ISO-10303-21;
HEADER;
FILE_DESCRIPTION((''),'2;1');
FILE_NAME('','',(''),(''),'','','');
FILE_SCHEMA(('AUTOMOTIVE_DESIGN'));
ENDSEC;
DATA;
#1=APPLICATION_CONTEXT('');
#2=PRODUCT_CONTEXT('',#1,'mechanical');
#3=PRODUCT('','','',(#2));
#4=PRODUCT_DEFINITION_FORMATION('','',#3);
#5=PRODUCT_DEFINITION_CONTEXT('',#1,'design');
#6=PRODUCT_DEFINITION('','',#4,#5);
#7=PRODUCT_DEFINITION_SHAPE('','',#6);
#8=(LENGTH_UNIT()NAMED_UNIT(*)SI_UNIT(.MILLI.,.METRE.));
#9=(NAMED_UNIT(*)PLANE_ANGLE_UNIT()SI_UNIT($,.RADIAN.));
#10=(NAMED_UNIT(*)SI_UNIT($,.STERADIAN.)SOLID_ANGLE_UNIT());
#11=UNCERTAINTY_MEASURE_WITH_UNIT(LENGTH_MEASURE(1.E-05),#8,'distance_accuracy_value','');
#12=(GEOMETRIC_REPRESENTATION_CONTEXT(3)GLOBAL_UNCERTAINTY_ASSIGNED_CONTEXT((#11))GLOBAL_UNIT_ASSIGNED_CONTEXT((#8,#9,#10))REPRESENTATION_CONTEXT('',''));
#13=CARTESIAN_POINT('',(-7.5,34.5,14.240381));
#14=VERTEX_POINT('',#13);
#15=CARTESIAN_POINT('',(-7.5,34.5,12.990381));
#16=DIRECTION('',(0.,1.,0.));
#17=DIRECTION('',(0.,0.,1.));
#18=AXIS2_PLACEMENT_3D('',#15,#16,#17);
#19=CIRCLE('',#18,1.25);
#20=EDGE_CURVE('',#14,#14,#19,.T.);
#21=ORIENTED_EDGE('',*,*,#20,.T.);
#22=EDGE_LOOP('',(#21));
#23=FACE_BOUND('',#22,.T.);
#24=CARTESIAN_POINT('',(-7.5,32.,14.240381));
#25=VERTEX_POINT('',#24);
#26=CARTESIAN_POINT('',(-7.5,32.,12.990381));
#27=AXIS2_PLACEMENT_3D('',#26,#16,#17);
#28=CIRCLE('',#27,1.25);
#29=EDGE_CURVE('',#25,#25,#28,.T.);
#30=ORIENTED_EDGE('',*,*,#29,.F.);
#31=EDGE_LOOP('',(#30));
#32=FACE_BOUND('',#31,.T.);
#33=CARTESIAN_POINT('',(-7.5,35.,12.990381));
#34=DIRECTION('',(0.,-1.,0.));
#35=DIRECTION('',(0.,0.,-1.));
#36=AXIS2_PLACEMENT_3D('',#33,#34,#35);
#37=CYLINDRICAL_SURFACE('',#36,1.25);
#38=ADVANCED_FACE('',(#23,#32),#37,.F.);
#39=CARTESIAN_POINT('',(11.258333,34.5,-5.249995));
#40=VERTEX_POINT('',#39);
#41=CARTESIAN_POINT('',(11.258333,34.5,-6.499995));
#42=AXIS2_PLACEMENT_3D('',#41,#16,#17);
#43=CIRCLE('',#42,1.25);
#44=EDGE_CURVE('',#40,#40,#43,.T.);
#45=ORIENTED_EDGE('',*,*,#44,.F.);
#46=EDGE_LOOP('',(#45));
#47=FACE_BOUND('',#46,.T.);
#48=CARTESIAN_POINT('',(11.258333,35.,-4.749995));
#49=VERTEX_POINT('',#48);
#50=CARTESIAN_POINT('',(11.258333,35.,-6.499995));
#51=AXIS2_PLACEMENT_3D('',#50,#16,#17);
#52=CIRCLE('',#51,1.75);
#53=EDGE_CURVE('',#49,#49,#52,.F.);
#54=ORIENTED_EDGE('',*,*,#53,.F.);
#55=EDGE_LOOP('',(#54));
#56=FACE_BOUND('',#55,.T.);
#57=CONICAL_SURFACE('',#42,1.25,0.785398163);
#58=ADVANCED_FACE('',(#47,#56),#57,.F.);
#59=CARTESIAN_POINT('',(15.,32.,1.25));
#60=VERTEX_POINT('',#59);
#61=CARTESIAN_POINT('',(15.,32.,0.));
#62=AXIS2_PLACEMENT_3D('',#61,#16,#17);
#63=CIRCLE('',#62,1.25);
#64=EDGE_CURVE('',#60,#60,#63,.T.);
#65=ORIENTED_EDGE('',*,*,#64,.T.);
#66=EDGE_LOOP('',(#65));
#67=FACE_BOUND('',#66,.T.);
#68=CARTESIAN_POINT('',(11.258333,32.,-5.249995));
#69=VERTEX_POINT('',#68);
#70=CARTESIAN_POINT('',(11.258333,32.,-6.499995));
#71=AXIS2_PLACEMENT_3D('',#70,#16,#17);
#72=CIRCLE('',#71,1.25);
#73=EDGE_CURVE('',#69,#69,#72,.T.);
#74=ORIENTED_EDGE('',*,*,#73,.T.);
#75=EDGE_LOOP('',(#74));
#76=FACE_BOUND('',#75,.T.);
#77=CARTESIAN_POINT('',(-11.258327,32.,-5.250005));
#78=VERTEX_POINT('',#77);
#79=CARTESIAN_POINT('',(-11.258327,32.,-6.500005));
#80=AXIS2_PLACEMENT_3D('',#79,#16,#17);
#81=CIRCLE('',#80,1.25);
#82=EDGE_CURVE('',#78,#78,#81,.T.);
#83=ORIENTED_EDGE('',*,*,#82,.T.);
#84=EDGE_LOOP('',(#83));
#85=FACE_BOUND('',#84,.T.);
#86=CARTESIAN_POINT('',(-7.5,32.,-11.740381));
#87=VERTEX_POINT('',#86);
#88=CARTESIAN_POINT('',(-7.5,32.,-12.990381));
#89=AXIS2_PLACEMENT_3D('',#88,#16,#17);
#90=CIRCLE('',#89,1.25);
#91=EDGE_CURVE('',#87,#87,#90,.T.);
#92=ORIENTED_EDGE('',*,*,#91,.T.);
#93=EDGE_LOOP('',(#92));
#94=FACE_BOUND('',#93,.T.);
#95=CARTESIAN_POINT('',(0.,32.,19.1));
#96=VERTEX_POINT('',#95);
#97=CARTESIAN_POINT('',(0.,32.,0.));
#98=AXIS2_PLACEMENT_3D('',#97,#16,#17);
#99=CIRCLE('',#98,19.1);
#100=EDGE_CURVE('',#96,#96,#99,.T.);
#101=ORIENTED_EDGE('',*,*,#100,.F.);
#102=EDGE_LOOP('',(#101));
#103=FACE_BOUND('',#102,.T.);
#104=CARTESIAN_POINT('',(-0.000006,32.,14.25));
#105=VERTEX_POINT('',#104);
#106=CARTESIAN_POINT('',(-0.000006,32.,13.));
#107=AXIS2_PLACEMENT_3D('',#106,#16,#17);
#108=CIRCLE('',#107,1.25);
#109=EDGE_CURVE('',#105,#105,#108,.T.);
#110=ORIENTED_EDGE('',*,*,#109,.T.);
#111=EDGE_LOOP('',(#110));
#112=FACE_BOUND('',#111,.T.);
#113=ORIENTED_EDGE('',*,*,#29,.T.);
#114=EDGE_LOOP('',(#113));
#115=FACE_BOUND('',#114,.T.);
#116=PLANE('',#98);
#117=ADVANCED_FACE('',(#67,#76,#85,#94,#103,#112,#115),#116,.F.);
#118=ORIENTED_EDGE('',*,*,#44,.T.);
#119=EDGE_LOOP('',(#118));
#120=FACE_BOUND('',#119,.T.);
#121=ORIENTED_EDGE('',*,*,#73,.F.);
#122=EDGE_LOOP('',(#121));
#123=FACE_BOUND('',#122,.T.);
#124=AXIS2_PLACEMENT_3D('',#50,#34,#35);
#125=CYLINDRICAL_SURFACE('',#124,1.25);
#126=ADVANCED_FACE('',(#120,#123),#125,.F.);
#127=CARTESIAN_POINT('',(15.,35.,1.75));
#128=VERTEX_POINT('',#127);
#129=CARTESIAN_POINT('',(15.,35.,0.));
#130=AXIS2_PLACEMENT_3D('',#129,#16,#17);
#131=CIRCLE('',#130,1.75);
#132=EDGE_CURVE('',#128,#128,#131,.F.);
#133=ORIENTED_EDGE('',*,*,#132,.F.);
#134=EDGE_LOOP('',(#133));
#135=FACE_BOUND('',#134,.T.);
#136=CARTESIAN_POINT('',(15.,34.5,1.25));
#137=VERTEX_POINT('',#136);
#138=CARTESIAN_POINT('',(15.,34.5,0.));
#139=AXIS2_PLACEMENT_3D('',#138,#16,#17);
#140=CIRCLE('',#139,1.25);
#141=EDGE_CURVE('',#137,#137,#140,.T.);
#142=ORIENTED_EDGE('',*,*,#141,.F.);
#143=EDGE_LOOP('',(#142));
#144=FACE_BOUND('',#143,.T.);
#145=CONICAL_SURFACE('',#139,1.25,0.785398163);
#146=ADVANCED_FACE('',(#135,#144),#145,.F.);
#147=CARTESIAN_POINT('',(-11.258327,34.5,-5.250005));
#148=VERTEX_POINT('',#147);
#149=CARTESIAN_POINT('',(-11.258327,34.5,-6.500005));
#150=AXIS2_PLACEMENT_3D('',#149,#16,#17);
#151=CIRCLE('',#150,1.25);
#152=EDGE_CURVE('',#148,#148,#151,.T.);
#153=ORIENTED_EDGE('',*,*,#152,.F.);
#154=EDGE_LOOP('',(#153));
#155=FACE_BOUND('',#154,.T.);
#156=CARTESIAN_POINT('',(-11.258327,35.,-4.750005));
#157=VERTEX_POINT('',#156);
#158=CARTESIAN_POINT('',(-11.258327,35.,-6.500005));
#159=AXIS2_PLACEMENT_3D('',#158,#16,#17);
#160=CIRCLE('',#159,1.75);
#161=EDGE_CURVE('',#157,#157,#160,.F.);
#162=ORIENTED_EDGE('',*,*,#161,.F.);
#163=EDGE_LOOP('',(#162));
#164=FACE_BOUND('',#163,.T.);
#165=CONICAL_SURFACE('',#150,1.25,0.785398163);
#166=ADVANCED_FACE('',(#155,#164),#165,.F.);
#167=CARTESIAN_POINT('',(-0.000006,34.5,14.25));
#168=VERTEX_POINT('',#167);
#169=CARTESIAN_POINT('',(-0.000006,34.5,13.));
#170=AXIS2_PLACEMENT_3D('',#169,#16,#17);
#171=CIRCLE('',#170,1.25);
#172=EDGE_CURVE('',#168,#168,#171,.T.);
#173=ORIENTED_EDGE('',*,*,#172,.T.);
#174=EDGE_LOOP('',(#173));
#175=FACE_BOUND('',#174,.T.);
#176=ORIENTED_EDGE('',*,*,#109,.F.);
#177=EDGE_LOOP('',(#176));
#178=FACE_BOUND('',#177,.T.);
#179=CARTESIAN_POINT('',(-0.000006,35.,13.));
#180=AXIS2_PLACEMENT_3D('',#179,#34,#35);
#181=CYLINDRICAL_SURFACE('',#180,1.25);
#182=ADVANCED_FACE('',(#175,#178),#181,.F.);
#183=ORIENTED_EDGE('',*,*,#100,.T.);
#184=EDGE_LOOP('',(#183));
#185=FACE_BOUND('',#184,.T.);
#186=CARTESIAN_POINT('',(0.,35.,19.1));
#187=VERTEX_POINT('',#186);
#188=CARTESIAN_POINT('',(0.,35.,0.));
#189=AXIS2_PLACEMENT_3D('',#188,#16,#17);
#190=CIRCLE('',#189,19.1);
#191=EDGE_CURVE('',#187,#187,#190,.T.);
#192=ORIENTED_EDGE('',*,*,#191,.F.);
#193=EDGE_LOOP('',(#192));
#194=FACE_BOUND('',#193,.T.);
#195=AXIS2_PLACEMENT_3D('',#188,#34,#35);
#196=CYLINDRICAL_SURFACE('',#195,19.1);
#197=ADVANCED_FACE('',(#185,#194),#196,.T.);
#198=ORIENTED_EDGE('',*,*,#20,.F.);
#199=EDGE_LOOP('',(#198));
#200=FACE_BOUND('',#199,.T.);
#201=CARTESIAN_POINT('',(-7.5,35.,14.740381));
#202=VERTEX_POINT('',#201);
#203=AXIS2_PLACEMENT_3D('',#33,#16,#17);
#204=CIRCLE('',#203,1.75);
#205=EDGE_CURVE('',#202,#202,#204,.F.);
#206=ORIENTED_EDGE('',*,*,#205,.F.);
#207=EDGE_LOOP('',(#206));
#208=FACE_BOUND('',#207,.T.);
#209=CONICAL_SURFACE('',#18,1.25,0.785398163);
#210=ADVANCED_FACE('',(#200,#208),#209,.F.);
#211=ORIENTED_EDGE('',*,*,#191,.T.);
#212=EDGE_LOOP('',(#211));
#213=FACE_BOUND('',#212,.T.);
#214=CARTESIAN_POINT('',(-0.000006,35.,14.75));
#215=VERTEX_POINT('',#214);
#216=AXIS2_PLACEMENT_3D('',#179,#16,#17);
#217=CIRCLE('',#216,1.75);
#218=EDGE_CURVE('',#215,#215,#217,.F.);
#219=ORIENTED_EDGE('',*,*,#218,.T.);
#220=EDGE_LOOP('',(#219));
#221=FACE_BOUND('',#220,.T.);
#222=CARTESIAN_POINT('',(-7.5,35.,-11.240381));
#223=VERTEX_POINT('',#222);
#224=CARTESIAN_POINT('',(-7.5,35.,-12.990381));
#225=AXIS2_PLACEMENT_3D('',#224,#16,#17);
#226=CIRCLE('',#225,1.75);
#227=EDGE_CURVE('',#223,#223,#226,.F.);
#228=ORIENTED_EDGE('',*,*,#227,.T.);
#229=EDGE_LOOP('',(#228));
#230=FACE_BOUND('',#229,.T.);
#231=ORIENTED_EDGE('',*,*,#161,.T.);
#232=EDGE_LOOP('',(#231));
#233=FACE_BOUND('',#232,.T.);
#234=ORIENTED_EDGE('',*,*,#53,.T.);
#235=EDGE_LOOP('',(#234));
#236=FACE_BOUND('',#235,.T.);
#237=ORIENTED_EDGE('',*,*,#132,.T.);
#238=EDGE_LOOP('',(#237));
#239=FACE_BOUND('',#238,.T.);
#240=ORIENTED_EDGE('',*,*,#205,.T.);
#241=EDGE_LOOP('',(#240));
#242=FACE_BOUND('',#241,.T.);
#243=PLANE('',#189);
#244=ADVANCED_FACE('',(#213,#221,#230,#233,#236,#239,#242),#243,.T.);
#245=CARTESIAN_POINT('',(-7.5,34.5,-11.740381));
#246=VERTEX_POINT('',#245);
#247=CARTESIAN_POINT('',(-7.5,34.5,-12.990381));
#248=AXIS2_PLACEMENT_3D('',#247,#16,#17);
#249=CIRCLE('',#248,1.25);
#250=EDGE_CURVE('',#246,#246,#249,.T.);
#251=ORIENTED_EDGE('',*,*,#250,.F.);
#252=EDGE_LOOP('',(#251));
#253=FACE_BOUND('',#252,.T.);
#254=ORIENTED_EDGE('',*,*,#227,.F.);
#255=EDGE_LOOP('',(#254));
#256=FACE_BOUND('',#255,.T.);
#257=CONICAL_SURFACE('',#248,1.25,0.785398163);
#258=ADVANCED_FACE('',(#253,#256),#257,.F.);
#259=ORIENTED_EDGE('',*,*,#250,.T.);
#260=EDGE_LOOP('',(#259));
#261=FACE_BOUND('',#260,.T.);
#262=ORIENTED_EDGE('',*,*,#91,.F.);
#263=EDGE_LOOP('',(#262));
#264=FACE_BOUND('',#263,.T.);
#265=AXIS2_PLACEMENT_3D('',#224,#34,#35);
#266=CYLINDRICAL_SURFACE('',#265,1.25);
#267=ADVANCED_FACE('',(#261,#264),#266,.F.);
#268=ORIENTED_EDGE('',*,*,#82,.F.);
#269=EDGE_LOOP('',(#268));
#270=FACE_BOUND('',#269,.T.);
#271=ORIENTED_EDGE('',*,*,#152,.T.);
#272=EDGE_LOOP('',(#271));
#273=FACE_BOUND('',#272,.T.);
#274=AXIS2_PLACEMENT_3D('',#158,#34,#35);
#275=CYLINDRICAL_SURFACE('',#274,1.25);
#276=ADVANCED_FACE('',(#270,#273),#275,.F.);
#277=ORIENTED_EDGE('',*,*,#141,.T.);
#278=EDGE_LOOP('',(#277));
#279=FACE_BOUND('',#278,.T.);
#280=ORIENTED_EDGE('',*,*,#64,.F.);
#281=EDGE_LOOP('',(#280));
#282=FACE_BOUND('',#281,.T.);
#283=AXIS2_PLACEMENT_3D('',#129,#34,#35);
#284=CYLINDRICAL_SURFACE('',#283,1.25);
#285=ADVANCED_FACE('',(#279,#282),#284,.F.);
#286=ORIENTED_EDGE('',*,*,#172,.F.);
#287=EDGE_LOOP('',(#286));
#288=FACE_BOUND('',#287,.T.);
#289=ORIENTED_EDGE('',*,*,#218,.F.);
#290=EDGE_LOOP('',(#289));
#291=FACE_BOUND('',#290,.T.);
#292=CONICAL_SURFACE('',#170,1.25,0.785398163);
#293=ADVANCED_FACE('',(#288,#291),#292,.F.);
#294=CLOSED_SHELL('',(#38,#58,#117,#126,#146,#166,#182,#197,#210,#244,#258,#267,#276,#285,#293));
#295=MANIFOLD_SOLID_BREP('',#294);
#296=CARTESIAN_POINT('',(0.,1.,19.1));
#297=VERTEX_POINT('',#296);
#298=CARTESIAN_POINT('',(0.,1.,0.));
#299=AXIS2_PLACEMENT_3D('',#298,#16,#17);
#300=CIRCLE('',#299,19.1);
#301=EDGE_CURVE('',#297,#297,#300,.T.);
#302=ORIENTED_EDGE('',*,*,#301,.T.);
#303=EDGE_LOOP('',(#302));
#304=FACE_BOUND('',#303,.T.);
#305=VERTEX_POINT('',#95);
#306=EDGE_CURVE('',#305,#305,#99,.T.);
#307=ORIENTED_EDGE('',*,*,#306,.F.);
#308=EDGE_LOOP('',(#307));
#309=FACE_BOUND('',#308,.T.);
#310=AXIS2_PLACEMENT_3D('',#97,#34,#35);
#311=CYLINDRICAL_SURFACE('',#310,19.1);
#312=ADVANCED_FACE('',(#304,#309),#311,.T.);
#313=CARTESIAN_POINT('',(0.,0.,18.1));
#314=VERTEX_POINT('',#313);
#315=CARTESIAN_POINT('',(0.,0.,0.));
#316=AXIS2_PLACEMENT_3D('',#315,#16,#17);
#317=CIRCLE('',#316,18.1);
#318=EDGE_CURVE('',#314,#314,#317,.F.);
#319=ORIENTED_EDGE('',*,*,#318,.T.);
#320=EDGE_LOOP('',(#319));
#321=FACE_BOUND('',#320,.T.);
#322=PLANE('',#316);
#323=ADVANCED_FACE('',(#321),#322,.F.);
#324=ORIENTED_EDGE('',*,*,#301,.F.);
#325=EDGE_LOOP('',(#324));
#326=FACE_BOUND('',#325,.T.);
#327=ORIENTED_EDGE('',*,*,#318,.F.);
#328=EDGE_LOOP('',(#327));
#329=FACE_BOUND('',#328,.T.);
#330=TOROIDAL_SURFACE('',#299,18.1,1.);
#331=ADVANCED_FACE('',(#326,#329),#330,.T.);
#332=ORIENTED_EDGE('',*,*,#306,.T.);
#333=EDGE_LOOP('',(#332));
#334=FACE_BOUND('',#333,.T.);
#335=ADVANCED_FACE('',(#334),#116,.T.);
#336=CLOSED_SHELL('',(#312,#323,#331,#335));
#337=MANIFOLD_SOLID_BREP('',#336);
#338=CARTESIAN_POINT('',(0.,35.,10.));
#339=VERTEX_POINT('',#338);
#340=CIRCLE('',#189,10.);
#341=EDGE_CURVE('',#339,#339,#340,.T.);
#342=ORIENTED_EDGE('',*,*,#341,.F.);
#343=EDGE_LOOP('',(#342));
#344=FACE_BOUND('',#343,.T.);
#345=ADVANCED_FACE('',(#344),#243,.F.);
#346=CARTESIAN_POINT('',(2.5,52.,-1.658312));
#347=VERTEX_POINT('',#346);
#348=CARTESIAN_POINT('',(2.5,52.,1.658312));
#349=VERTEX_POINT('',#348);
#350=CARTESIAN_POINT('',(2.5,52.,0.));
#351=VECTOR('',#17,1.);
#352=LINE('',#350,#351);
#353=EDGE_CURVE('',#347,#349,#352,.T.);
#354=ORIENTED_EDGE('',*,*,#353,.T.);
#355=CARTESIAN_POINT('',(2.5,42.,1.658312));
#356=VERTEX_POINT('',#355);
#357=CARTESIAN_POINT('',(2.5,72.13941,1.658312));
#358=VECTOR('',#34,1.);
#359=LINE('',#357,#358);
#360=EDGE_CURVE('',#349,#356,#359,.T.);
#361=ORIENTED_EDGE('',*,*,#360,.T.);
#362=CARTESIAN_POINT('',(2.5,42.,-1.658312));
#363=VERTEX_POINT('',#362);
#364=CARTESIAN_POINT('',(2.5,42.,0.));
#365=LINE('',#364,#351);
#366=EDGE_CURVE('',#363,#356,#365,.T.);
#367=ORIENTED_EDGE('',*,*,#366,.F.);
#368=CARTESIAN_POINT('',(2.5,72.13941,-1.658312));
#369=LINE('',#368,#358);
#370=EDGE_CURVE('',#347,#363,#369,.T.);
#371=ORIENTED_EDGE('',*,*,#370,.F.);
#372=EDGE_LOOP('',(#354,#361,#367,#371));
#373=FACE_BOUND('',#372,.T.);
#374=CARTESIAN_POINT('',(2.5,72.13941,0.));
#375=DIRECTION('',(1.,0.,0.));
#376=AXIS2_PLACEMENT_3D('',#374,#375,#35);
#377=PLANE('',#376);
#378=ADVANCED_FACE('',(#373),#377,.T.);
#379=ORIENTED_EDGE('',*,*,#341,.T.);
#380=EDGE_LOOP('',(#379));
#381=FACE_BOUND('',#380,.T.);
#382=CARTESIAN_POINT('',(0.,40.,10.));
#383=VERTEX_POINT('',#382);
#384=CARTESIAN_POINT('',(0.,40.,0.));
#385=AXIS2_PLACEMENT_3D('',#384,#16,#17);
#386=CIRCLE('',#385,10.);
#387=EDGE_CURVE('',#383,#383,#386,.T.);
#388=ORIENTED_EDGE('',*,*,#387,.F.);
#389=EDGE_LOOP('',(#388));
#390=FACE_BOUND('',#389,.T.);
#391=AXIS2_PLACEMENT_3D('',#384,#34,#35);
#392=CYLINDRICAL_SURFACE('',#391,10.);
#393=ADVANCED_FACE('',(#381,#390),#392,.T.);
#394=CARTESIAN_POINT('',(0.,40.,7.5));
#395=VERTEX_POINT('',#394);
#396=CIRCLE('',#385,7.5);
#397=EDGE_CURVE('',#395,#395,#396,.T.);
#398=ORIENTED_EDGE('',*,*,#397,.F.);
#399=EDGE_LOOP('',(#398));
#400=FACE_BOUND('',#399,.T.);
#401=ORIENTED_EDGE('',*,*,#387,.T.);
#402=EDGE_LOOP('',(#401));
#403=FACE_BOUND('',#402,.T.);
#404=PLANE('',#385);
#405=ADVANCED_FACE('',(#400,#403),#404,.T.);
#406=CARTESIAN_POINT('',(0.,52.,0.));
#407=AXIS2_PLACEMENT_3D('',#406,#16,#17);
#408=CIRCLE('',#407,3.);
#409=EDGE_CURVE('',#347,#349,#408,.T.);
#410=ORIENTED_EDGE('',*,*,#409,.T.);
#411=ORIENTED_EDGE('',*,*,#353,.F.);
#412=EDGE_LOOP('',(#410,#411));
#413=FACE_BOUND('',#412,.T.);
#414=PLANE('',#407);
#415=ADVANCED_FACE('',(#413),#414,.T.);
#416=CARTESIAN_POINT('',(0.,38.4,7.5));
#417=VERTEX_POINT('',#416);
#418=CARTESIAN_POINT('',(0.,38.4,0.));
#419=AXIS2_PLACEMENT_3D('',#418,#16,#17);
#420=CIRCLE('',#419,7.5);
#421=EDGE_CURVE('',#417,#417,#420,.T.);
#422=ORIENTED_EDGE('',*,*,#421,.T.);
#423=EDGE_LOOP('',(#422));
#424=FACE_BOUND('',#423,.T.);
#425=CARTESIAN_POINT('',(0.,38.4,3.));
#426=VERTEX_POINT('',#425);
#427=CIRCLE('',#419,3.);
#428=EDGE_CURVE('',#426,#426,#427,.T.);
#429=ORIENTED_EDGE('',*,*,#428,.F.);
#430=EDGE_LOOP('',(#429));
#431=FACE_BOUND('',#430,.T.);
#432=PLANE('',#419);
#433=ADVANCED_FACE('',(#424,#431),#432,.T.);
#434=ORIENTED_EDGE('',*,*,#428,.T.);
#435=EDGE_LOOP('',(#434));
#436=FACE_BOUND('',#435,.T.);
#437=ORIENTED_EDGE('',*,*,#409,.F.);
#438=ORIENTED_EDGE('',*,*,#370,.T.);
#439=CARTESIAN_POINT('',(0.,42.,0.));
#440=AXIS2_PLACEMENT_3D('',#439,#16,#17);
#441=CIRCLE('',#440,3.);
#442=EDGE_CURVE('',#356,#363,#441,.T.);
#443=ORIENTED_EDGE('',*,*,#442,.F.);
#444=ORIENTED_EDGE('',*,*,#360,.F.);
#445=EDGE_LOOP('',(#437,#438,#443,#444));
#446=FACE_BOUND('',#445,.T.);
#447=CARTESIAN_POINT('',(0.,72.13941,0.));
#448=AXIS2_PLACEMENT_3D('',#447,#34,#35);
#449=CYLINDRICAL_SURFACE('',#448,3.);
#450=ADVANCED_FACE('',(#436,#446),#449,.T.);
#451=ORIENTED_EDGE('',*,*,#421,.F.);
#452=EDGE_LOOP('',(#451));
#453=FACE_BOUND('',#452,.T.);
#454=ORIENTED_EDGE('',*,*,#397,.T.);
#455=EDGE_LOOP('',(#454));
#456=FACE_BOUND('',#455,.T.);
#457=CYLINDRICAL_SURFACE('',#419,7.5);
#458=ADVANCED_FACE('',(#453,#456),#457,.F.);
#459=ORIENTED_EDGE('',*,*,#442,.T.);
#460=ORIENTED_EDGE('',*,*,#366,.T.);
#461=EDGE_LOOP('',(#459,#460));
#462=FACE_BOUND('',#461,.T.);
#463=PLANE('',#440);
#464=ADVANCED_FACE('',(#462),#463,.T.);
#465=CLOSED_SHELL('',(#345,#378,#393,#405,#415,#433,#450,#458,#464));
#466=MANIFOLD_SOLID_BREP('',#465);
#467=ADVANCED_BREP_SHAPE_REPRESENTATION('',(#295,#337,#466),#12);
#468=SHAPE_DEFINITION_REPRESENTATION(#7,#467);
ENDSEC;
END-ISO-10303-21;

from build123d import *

# Parameters (mm, degrees)
SKETCH1_R            = 19.1
BOSS_EXTRUDE1_DEPTH  = 32
FILLET1_R            = 1
SKETCH3_R            = 19.1
SKETCH3_R_2          = 1.25
BOSS_EXTRUDE6_DEPTH  = 3
SKETCH5_R            = 10
BOSS_EXTRUDE7_DEPTH  = 5
SKETCH7_R            = 7.5
CUT_EXTRUDE1_DEPTH   = 1.6
BOSS_EXTRUDE9_DEPTH  = 13.6
SKETCH8_3_R          = 3
BOSS_EXTRUDE10_DEPTH = 3.6
CHAMFER1_SIZE        = 0.5


with BuildPart() as part:
    # Sketch1 → Boss-Extrude1 (new body)
    with BuildSketch(Plane(origin=(0, 0, 0), x_dir=(1, 0, 0), z_dir=(0, 1, 0))):
        with Locations(Location((0, 0, 0), (0, 0, 270))):
            Circle(SKETCH1_R)
    extrude(amount=BOSS_EXTRUDE1_DEPTH)

    # Fillet1
    fillet1_edges = [part.edges().sort_by_distance(p)[0] for p in [
        (0, 0, -19.1),
    ]]
    fillet(fillet1_edges, radius=FILLET1_R)


with BuildPart() as body_2:
    # Sketch3 → Boss-Extrude6 (new body)
    with BuildSketch(Plane(origin=(0, 32, 0), x_dir=(1, 0, 0), z_dir=(0, 1, 0))):
        with Locations(Location((0, 0, 0), (0, 0, 270))):
            Circle(SKETCH3_R)
        with Locations(Location((15, 0, 0), (0, 0, 270))):
            Circle(SKETCH3_R_2, mode=Mode.SUBTRACT)
        with Locations(Location((-7.5, -12.990381057, 0), (0, 0, 270))):
            Circle(SKETCH3_R_2, mode=Mode.SUBTRACT)
        with Locations(Location((-7.5, 12.990381057, 0), (0, 0, 270))):
            Circle(SKETCH3_R_2, mode=Mode.SUBTRACT)
        with Locations(Location((-6.168e-06, -13, 0), (0, 0, 270))):
            Circle(SKETCH3_R_2, mode=Mode.SUBTRACT)
        with Locations(Location((11.258333333, 6.499994658, 0), (0, 0, 270))):
            Circle(SKETCH3_R_2, mode=Mode.SUBTRACT)
        with Locations(Location((-11.258327165, 6.500005342, 0), (0, 0, 270))):
            Circle(SKETCH3_R_2, mode=Mode.SUBTRACT)
    extrude(amount=BOSS_EXTRUDE6_DEPTH)

    # Chamfer1
    chamfer1_edges = [body_2.edges().sort_by_distance(p)[0] for p in [
        (-11.258327165, 35, -7.750005342),
        (11.258333333, 35, -7.749994658),
        (-7.5, 35, -14.240381057),
        (15, 35, -1.25),
        (-7.5, 35, 11.740381057),
        (-6.168e-06, 35, 11.75),
    ]]
    chamfer(chamfer1_edges, length=CHAMFER1_SIZE)


with BuildPart() as body_3:
    # Sketch5 → Boss-Extrude7 (new body)
    with BuildSketch(Plane(origin=(0, 35, 0), x_dir=(1, 0, 0), z_dir=(0, 1, 0))):
        with Locations(Location((0, 0, 0), (0, 0, 270))):
            Circle(SKETCH5_R)
    extrude(amount=BOSS_EXTRUDE7_DEPTH)

    # Sketch7 → Cut-Extrude1 (cut)
    with BuildSketch(Plane(origin=(0, 40, 0), x_dir=(1, 0, 0), z_dir=(0, 1, 0))):
        with Locations(Location((0, 0, 0), (0, 0, 270))):
            Circle(SKETCH7_R)
    extrude(amount=-CUT_EXTRUDE1_DEPTH, mode=Mode.SUBTRACT)

    # Sketch8 → Boss-Extrude9 (add)
    with BuildSketch(Plane(origin=(0, 38.4, 0), x_dir=(1, 0, 0), z_dir=(0, 1, 0))):
        with BuildLine():
            Line((2.5, -1.658312395), (2.5, 1.658312395))
            ThreePointArc((2.5, 1.658312395), (-3, 0), (2.5, -1.658312395))
        make_face()
    extrude(amount=BOSS_EXTRUDE9_DEPTH)

    # Sketch8<3> → Boss-Extrude10 (add)
    with BuildSketch(Plane(origin=(0, 38.4, 0), x_dir=(1, 0, 0), z_dir=(0, 1, 0))):
        with Locations(Location((0, 0, 0), (0, 0, 33.557309762))):
            Circle(SKETCH8_3_R)
    extrude(amount=BOSS_EXTRUDE10_DEPTH)


solid = Compound([part.part, body_2.part, body_3.part])
